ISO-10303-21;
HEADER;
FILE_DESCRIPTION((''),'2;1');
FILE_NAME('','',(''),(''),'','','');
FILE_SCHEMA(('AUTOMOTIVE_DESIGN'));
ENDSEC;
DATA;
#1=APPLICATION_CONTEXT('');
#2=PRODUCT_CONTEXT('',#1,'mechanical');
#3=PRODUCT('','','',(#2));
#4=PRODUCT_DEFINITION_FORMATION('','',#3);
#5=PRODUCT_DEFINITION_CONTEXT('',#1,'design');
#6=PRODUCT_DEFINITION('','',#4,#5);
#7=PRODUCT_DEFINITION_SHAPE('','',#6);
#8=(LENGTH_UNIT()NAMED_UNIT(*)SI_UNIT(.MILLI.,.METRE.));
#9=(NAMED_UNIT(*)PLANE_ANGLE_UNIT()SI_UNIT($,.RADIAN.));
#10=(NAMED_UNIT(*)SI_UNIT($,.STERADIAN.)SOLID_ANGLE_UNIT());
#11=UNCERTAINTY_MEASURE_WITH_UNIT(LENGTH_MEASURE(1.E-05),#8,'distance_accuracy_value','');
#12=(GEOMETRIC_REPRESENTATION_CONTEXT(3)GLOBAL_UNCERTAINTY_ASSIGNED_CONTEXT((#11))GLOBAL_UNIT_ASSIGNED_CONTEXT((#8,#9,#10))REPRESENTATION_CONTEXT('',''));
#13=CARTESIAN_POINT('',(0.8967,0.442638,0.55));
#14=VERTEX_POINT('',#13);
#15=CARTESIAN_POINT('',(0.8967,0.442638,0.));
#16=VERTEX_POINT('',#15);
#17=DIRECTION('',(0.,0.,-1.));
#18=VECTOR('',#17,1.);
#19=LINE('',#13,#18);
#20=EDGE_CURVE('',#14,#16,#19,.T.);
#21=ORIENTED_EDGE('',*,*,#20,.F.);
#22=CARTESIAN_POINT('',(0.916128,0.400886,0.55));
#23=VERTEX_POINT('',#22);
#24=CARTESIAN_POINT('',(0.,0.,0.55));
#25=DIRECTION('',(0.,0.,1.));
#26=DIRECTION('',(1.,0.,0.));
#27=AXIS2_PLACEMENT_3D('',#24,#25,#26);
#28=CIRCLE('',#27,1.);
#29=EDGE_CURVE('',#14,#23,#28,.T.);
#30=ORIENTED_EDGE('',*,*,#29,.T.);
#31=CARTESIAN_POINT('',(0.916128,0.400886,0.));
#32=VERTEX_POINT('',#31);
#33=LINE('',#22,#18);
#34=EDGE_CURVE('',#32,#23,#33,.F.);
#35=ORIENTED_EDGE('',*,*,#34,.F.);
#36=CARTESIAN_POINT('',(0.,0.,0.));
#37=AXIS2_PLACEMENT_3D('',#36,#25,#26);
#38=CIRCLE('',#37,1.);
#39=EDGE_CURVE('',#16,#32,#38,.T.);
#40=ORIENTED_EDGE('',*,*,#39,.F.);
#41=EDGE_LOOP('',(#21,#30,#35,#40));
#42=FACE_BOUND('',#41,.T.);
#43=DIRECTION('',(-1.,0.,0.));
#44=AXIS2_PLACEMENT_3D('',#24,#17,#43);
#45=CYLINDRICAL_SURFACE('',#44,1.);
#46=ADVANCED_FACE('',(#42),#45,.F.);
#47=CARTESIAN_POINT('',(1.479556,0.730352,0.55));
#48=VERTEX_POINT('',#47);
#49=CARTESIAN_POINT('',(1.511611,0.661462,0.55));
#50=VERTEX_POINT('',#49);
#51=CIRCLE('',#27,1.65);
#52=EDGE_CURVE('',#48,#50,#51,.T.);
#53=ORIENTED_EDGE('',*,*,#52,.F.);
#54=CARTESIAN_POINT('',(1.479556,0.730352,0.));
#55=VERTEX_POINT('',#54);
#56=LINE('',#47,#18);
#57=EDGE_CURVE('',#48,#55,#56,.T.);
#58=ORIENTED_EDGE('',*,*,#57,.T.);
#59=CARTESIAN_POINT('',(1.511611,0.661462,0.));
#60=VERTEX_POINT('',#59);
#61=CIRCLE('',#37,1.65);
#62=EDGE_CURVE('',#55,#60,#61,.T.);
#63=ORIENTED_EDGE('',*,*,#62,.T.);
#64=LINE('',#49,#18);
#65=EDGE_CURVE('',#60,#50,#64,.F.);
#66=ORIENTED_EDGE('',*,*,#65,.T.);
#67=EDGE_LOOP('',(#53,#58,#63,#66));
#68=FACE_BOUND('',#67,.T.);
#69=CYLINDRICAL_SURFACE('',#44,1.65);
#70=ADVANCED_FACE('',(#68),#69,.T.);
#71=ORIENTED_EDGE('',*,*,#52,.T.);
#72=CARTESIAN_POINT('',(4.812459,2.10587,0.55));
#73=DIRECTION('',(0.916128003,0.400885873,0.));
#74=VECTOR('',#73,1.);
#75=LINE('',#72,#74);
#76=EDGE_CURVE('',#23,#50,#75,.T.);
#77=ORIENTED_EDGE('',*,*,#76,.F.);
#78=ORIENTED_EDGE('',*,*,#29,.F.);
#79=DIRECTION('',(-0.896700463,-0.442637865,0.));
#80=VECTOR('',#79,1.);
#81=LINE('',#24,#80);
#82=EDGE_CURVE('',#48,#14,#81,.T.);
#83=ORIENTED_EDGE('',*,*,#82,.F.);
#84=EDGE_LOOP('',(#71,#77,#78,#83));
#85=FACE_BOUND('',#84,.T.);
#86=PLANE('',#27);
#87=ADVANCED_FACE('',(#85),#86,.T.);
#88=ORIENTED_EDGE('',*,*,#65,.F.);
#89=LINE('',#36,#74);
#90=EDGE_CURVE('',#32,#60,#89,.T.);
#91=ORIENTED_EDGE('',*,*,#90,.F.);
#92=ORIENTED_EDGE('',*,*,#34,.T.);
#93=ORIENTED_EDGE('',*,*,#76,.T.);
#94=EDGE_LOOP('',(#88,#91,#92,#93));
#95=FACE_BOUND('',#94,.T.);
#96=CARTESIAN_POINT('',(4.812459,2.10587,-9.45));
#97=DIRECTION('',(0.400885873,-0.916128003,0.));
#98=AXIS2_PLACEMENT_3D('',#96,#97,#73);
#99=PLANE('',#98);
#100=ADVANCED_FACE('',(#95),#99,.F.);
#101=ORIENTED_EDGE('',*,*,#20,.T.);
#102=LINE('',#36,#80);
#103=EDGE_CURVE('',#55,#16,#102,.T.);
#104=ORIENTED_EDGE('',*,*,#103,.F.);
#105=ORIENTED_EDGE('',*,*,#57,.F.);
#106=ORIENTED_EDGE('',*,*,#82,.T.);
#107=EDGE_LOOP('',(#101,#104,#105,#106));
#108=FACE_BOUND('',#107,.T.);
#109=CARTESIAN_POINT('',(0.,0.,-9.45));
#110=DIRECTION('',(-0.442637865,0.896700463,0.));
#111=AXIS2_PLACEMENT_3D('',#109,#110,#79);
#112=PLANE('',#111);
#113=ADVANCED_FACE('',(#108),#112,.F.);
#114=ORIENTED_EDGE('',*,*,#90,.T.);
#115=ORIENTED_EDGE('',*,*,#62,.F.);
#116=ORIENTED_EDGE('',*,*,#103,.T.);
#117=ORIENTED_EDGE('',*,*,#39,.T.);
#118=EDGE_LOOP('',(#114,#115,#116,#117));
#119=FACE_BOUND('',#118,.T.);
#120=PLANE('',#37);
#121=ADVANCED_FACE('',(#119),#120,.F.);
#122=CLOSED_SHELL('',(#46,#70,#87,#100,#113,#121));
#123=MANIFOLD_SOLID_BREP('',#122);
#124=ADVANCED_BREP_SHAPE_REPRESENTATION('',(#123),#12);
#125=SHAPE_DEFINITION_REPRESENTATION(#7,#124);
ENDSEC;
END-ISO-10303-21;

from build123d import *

# Parameters (mm, degrees)
SKETCH_1_R          = 1.65
SKETCH_1_R_2        = 1
EXTRUDE_1_DEPTH     = 0.55
CUT_EXTRUDE_1_DEPTH = 10


with BuildPart() as part:
    # 草图1 → 凸台-拉伸1 (new body)
    with BuildSketch(Plane.XY):
        Circle(SKETCH_1_R)
        Circle(SKETCH_1_R_2, mode=Mode.SUBTRACT)
    extrude(amount=EXTRUDE_1_DEPTH)

    # 草图2 → 切除-拉伸1 (cut)
    with BuildSketch(Plane.XY.offset(0.55)):
        Polygon((0, 0), (4.812459265, 2.375572201), (4.812459265, 2.105870497), align=None)
    extrude(amount=-CUT_EXTRUDE_1_DEPTH, mode=Mode.SUBTRACT)


solid = part.part
